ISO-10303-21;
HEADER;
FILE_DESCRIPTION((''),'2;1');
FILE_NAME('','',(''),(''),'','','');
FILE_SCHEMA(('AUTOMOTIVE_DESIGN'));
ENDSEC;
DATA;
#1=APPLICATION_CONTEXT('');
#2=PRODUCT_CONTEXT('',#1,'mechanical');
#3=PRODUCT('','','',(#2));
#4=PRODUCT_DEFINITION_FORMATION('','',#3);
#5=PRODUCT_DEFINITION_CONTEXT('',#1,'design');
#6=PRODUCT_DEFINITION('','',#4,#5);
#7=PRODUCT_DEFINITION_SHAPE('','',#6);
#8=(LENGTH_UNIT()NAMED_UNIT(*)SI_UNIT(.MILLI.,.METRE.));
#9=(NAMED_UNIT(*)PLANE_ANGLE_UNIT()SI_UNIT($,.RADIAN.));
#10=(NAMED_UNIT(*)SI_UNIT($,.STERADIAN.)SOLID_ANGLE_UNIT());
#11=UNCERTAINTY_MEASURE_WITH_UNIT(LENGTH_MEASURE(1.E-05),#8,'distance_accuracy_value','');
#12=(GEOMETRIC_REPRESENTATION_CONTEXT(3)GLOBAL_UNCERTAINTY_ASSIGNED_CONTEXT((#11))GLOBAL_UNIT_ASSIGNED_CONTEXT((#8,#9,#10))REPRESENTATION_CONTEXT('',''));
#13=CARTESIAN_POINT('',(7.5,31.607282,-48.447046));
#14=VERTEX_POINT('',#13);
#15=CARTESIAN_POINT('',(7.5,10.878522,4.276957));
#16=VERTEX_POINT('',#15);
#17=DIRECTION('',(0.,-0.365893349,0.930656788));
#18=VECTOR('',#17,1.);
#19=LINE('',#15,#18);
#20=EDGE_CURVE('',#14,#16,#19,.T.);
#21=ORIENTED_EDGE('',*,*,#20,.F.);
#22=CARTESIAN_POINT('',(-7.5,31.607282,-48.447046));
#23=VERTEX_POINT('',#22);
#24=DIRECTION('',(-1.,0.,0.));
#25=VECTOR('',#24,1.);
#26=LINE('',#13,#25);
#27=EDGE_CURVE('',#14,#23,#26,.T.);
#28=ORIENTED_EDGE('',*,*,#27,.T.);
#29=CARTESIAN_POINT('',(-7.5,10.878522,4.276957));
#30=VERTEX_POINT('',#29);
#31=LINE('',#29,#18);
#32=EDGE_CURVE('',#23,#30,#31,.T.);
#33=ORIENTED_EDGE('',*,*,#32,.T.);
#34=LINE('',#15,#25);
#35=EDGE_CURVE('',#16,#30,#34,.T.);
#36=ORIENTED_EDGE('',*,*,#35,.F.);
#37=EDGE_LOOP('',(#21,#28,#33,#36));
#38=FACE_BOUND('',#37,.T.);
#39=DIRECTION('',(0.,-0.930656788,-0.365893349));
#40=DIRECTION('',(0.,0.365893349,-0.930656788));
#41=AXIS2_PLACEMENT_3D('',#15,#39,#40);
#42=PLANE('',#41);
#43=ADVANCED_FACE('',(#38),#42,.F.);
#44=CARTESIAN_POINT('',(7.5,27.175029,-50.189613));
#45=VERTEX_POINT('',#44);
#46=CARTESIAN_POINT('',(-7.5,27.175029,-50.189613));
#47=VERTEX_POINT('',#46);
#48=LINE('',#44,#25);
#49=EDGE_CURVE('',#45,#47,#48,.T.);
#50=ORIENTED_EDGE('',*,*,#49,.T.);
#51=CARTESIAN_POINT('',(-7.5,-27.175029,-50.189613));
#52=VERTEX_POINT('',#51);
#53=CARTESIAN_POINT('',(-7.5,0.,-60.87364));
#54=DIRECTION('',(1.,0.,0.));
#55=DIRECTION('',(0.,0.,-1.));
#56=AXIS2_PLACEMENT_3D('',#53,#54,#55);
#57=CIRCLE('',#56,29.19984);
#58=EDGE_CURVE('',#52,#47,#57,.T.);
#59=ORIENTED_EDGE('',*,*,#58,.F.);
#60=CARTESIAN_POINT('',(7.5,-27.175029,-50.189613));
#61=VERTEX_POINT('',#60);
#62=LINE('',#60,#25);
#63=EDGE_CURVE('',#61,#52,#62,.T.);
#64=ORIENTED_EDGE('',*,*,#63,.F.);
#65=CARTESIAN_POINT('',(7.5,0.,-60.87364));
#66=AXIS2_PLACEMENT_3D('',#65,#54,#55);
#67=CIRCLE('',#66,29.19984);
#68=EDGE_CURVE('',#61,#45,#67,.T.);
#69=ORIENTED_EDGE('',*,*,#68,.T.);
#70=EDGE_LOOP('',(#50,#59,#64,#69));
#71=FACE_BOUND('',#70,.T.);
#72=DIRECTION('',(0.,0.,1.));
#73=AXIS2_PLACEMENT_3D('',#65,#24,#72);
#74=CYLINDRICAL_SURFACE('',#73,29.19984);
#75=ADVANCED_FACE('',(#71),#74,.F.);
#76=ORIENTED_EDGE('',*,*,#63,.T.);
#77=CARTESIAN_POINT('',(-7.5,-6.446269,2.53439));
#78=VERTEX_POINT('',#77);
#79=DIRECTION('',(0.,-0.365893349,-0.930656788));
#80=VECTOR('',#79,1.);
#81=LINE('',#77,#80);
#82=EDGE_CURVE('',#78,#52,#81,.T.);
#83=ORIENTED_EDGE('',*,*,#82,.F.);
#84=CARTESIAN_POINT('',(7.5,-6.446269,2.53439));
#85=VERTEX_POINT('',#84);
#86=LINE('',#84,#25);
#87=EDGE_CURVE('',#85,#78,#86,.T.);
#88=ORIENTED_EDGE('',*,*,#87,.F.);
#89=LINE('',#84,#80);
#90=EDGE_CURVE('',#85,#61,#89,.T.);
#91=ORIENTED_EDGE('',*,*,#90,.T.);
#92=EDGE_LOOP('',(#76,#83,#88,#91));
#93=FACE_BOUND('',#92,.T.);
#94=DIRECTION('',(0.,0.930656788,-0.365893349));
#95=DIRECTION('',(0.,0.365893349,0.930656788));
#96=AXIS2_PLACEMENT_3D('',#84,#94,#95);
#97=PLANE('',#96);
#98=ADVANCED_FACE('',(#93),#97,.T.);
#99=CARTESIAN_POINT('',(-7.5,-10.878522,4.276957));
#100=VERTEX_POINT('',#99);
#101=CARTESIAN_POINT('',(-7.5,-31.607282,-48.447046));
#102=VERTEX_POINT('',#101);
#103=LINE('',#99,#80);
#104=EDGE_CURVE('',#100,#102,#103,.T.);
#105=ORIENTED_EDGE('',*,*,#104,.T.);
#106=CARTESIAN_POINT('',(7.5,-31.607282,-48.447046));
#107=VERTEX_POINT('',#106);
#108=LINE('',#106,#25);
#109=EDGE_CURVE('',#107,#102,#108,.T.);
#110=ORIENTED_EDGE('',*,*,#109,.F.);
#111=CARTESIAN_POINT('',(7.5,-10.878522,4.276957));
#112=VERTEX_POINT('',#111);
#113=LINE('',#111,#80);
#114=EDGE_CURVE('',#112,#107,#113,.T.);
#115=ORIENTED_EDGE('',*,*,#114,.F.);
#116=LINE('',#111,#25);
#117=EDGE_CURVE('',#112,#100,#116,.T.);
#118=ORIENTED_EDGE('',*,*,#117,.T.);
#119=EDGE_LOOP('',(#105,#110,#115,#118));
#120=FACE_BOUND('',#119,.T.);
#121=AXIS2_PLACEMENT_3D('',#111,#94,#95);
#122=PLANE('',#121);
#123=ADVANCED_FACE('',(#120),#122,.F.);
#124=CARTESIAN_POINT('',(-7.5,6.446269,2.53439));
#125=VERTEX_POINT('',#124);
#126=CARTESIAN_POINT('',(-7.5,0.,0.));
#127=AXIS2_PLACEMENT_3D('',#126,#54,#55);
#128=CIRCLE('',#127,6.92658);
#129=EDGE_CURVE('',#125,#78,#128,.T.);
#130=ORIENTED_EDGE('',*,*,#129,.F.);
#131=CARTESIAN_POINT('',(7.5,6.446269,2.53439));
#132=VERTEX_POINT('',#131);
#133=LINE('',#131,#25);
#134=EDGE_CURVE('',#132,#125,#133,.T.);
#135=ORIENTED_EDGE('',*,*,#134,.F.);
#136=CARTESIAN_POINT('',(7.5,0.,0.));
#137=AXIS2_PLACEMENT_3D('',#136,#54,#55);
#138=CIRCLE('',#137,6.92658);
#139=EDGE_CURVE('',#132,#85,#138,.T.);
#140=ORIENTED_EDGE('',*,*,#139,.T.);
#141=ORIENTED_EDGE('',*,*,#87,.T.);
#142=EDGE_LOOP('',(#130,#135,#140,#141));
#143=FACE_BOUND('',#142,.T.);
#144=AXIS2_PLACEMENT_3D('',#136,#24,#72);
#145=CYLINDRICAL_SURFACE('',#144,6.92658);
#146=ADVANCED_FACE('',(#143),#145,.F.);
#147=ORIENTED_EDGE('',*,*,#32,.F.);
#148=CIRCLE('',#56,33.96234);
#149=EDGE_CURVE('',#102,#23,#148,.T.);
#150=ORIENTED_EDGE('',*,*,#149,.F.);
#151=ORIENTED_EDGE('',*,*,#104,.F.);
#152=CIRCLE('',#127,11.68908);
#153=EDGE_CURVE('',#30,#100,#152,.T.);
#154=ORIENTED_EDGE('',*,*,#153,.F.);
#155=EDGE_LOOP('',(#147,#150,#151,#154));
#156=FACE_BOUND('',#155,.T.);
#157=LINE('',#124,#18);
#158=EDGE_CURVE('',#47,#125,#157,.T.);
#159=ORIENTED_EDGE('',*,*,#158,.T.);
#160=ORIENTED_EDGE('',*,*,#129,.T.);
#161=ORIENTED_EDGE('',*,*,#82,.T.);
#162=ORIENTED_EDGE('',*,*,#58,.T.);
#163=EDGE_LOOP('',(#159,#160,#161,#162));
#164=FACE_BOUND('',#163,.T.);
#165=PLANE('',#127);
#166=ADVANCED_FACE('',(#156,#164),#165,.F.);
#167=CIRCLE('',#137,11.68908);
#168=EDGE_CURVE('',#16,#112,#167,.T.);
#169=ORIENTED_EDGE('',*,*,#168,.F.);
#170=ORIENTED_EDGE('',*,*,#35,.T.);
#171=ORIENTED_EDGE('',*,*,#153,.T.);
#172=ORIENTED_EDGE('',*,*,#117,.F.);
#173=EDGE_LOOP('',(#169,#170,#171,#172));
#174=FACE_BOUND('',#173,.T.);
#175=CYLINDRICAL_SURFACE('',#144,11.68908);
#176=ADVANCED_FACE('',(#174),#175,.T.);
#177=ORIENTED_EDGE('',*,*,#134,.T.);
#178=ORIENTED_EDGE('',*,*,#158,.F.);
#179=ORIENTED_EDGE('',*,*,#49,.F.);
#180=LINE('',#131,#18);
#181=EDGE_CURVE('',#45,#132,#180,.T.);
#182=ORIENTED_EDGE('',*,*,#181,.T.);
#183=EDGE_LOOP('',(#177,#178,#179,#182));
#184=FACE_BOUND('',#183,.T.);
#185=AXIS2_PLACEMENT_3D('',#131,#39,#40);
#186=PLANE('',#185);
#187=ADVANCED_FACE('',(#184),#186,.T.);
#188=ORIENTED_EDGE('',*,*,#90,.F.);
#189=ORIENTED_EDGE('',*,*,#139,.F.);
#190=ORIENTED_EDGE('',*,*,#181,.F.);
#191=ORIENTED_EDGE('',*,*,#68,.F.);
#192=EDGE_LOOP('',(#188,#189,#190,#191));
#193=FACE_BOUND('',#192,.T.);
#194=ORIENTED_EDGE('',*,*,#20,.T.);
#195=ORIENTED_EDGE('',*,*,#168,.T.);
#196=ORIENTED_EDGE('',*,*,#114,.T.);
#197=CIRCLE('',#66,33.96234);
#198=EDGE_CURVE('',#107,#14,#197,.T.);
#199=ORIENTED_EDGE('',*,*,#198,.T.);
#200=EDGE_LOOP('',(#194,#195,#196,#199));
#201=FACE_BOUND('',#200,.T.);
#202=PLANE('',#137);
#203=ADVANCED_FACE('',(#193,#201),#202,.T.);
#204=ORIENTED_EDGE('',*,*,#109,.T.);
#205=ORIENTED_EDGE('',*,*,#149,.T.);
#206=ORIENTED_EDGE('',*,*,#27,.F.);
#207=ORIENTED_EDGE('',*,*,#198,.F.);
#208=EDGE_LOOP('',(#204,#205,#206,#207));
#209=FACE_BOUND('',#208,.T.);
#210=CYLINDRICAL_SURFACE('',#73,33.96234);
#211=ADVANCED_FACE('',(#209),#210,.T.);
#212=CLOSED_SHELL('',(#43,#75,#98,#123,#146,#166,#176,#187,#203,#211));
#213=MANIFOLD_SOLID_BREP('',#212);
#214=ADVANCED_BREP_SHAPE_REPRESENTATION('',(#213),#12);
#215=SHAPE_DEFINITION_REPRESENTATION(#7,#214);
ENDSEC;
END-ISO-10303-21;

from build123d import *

# Parameters (mm, degrees)
BOSS_EXTRUDE1_DEPTH = 7.5


with BuildPart() as part:
    # Sketch1 → Boss-Extrude1 (new, symmetric)
    with BuildSketch(Plane(origin=(0, 0, 0), x_dir=(0, 0, -1), z_dir=(1, 0, 0))):
        with BuildLine():
            Line((-4.276956627, 10.878521649), (48.447045681, 31.607282261))
            ThreePointArc((48.447045681, 31.607282261), (94.83598, 0), (48.447045681, -31.607282261))
            Line((48.447045681, -31.607282261), (-4.276956627, -10.878521649))
            ThreePointArc((-4.276956627, -10.878521649), (-11.68908, 0), (-4.276956627, 10.878521649))
        make_face()
        with BuildLine():
            Line((-2.534389553, 6.446268695), (50.189612755, 27.175029307))
            ThreePointArc((50.189612755, 27.175029307), (90.07348, 0), (50.189612755, -27.175029307))
            Line((50.189612755, -27.175029307), (-2.534389553, -6.446268695))
            ThreePointArc((-2.534389553, -6.446268695), (-6.92658, 0), (-2.534389553, 6.446268695))
        make_face(mode=Mode.SUBTRACT)
    extrude(amount=BOSS_EXTRUDE1_DEPTH, both=True)


solid = part.part
